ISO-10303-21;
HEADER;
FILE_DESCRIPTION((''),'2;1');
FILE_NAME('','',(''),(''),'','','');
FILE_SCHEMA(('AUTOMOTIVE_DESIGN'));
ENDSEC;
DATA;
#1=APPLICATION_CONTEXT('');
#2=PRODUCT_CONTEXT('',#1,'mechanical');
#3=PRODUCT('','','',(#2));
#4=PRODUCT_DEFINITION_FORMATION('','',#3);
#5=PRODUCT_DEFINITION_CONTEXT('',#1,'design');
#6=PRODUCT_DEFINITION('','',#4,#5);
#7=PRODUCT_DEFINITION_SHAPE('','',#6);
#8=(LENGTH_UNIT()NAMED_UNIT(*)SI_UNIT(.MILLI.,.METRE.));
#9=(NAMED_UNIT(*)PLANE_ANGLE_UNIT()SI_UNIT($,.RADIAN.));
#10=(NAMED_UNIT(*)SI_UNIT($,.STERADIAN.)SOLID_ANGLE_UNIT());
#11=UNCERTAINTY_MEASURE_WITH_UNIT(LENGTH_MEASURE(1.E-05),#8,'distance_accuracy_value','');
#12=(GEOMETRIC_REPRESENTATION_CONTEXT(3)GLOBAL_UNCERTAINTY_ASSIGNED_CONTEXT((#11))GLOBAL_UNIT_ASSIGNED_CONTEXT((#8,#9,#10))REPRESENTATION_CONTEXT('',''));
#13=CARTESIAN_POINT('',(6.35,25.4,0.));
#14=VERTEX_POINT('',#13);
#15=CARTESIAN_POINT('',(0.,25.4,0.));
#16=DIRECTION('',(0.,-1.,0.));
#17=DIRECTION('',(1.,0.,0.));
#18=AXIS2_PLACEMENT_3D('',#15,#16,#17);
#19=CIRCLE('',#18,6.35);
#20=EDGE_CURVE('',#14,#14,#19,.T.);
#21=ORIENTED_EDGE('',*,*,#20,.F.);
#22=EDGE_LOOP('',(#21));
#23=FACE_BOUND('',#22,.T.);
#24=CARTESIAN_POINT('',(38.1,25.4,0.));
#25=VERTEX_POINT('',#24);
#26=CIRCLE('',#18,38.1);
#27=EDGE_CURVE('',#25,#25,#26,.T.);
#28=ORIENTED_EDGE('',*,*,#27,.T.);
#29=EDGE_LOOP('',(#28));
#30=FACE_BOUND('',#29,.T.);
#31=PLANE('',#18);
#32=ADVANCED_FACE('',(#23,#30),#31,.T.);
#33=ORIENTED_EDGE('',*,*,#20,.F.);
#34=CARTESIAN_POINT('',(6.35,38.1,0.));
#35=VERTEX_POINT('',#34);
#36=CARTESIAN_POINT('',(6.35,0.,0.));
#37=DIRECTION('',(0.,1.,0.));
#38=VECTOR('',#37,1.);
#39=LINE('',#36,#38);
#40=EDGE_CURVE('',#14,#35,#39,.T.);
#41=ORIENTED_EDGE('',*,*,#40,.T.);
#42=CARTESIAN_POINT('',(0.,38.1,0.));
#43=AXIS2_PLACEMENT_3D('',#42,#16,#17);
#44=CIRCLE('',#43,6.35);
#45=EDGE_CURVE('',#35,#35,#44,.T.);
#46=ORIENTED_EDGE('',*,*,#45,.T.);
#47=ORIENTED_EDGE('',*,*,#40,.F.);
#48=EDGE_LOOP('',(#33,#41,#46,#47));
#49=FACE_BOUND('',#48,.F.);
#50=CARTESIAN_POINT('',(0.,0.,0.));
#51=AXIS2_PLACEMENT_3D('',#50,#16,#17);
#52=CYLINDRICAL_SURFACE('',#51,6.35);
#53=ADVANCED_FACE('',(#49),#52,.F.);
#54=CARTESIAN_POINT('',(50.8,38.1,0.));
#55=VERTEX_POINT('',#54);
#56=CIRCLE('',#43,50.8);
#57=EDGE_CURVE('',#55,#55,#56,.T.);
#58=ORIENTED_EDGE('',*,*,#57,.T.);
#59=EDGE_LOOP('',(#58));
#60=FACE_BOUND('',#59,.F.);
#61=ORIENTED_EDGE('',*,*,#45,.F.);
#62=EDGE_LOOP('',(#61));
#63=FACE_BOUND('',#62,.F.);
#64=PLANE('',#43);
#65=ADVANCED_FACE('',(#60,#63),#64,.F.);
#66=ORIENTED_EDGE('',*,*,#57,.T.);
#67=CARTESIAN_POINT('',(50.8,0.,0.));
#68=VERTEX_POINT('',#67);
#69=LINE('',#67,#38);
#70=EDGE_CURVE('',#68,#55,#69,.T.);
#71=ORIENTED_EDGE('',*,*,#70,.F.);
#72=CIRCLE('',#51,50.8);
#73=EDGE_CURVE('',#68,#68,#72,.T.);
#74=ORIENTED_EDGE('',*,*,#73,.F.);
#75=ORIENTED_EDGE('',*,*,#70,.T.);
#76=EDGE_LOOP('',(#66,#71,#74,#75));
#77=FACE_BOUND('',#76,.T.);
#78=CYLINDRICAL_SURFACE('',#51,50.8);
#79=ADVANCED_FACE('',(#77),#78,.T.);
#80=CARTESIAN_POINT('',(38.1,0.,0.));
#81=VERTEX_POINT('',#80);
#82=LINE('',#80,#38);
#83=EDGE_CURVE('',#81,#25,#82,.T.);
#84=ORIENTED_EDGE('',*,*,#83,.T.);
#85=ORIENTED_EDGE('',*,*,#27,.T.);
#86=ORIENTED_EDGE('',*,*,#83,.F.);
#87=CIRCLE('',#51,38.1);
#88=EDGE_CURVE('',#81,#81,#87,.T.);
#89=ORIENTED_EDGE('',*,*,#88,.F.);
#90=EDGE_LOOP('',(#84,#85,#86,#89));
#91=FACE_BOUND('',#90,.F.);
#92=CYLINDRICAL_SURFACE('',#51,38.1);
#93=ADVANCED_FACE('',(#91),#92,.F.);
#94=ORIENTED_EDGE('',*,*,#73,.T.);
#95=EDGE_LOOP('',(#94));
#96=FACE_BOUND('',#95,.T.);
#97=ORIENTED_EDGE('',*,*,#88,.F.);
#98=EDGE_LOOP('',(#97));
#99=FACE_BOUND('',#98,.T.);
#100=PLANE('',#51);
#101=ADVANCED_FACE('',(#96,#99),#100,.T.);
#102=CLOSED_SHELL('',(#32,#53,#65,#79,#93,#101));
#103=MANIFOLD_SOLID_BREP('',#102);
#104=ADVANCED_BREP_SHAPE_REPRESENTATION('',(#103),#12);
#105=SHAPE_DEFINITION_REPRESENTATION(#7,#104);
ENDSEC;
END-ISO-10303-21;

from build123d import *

# Parameters (mm, degrees)
F0_R     = 50.8
F1_DEPTH = 38.1
F2_T     = -12.7
F3_R     = 6.35
F4_DEPTH = 38.101


with BuildPart() as f1:
    # F0 (on Front) → F1 (new body)
    with BuildSketch(Plane.XZ):
        Circle(F0_R)
    extrude(amount=-F1_DEPTH)

    # F2
    f2_openings = [f1.faces().sort_by_distance(p)[0] for p in [
        (0, 0, 0),
    ]]
    offset(amount=F2_T, openings=f2_openings)

    # F3 (on Front) → F4 (cut, through all)
    with BuildSketch(Plane.XZ):
        Circle(F3_R)
    extrude(amount=-F4_DEPTH, mode=Mode.SUBTRACT)


solid = f1.part
